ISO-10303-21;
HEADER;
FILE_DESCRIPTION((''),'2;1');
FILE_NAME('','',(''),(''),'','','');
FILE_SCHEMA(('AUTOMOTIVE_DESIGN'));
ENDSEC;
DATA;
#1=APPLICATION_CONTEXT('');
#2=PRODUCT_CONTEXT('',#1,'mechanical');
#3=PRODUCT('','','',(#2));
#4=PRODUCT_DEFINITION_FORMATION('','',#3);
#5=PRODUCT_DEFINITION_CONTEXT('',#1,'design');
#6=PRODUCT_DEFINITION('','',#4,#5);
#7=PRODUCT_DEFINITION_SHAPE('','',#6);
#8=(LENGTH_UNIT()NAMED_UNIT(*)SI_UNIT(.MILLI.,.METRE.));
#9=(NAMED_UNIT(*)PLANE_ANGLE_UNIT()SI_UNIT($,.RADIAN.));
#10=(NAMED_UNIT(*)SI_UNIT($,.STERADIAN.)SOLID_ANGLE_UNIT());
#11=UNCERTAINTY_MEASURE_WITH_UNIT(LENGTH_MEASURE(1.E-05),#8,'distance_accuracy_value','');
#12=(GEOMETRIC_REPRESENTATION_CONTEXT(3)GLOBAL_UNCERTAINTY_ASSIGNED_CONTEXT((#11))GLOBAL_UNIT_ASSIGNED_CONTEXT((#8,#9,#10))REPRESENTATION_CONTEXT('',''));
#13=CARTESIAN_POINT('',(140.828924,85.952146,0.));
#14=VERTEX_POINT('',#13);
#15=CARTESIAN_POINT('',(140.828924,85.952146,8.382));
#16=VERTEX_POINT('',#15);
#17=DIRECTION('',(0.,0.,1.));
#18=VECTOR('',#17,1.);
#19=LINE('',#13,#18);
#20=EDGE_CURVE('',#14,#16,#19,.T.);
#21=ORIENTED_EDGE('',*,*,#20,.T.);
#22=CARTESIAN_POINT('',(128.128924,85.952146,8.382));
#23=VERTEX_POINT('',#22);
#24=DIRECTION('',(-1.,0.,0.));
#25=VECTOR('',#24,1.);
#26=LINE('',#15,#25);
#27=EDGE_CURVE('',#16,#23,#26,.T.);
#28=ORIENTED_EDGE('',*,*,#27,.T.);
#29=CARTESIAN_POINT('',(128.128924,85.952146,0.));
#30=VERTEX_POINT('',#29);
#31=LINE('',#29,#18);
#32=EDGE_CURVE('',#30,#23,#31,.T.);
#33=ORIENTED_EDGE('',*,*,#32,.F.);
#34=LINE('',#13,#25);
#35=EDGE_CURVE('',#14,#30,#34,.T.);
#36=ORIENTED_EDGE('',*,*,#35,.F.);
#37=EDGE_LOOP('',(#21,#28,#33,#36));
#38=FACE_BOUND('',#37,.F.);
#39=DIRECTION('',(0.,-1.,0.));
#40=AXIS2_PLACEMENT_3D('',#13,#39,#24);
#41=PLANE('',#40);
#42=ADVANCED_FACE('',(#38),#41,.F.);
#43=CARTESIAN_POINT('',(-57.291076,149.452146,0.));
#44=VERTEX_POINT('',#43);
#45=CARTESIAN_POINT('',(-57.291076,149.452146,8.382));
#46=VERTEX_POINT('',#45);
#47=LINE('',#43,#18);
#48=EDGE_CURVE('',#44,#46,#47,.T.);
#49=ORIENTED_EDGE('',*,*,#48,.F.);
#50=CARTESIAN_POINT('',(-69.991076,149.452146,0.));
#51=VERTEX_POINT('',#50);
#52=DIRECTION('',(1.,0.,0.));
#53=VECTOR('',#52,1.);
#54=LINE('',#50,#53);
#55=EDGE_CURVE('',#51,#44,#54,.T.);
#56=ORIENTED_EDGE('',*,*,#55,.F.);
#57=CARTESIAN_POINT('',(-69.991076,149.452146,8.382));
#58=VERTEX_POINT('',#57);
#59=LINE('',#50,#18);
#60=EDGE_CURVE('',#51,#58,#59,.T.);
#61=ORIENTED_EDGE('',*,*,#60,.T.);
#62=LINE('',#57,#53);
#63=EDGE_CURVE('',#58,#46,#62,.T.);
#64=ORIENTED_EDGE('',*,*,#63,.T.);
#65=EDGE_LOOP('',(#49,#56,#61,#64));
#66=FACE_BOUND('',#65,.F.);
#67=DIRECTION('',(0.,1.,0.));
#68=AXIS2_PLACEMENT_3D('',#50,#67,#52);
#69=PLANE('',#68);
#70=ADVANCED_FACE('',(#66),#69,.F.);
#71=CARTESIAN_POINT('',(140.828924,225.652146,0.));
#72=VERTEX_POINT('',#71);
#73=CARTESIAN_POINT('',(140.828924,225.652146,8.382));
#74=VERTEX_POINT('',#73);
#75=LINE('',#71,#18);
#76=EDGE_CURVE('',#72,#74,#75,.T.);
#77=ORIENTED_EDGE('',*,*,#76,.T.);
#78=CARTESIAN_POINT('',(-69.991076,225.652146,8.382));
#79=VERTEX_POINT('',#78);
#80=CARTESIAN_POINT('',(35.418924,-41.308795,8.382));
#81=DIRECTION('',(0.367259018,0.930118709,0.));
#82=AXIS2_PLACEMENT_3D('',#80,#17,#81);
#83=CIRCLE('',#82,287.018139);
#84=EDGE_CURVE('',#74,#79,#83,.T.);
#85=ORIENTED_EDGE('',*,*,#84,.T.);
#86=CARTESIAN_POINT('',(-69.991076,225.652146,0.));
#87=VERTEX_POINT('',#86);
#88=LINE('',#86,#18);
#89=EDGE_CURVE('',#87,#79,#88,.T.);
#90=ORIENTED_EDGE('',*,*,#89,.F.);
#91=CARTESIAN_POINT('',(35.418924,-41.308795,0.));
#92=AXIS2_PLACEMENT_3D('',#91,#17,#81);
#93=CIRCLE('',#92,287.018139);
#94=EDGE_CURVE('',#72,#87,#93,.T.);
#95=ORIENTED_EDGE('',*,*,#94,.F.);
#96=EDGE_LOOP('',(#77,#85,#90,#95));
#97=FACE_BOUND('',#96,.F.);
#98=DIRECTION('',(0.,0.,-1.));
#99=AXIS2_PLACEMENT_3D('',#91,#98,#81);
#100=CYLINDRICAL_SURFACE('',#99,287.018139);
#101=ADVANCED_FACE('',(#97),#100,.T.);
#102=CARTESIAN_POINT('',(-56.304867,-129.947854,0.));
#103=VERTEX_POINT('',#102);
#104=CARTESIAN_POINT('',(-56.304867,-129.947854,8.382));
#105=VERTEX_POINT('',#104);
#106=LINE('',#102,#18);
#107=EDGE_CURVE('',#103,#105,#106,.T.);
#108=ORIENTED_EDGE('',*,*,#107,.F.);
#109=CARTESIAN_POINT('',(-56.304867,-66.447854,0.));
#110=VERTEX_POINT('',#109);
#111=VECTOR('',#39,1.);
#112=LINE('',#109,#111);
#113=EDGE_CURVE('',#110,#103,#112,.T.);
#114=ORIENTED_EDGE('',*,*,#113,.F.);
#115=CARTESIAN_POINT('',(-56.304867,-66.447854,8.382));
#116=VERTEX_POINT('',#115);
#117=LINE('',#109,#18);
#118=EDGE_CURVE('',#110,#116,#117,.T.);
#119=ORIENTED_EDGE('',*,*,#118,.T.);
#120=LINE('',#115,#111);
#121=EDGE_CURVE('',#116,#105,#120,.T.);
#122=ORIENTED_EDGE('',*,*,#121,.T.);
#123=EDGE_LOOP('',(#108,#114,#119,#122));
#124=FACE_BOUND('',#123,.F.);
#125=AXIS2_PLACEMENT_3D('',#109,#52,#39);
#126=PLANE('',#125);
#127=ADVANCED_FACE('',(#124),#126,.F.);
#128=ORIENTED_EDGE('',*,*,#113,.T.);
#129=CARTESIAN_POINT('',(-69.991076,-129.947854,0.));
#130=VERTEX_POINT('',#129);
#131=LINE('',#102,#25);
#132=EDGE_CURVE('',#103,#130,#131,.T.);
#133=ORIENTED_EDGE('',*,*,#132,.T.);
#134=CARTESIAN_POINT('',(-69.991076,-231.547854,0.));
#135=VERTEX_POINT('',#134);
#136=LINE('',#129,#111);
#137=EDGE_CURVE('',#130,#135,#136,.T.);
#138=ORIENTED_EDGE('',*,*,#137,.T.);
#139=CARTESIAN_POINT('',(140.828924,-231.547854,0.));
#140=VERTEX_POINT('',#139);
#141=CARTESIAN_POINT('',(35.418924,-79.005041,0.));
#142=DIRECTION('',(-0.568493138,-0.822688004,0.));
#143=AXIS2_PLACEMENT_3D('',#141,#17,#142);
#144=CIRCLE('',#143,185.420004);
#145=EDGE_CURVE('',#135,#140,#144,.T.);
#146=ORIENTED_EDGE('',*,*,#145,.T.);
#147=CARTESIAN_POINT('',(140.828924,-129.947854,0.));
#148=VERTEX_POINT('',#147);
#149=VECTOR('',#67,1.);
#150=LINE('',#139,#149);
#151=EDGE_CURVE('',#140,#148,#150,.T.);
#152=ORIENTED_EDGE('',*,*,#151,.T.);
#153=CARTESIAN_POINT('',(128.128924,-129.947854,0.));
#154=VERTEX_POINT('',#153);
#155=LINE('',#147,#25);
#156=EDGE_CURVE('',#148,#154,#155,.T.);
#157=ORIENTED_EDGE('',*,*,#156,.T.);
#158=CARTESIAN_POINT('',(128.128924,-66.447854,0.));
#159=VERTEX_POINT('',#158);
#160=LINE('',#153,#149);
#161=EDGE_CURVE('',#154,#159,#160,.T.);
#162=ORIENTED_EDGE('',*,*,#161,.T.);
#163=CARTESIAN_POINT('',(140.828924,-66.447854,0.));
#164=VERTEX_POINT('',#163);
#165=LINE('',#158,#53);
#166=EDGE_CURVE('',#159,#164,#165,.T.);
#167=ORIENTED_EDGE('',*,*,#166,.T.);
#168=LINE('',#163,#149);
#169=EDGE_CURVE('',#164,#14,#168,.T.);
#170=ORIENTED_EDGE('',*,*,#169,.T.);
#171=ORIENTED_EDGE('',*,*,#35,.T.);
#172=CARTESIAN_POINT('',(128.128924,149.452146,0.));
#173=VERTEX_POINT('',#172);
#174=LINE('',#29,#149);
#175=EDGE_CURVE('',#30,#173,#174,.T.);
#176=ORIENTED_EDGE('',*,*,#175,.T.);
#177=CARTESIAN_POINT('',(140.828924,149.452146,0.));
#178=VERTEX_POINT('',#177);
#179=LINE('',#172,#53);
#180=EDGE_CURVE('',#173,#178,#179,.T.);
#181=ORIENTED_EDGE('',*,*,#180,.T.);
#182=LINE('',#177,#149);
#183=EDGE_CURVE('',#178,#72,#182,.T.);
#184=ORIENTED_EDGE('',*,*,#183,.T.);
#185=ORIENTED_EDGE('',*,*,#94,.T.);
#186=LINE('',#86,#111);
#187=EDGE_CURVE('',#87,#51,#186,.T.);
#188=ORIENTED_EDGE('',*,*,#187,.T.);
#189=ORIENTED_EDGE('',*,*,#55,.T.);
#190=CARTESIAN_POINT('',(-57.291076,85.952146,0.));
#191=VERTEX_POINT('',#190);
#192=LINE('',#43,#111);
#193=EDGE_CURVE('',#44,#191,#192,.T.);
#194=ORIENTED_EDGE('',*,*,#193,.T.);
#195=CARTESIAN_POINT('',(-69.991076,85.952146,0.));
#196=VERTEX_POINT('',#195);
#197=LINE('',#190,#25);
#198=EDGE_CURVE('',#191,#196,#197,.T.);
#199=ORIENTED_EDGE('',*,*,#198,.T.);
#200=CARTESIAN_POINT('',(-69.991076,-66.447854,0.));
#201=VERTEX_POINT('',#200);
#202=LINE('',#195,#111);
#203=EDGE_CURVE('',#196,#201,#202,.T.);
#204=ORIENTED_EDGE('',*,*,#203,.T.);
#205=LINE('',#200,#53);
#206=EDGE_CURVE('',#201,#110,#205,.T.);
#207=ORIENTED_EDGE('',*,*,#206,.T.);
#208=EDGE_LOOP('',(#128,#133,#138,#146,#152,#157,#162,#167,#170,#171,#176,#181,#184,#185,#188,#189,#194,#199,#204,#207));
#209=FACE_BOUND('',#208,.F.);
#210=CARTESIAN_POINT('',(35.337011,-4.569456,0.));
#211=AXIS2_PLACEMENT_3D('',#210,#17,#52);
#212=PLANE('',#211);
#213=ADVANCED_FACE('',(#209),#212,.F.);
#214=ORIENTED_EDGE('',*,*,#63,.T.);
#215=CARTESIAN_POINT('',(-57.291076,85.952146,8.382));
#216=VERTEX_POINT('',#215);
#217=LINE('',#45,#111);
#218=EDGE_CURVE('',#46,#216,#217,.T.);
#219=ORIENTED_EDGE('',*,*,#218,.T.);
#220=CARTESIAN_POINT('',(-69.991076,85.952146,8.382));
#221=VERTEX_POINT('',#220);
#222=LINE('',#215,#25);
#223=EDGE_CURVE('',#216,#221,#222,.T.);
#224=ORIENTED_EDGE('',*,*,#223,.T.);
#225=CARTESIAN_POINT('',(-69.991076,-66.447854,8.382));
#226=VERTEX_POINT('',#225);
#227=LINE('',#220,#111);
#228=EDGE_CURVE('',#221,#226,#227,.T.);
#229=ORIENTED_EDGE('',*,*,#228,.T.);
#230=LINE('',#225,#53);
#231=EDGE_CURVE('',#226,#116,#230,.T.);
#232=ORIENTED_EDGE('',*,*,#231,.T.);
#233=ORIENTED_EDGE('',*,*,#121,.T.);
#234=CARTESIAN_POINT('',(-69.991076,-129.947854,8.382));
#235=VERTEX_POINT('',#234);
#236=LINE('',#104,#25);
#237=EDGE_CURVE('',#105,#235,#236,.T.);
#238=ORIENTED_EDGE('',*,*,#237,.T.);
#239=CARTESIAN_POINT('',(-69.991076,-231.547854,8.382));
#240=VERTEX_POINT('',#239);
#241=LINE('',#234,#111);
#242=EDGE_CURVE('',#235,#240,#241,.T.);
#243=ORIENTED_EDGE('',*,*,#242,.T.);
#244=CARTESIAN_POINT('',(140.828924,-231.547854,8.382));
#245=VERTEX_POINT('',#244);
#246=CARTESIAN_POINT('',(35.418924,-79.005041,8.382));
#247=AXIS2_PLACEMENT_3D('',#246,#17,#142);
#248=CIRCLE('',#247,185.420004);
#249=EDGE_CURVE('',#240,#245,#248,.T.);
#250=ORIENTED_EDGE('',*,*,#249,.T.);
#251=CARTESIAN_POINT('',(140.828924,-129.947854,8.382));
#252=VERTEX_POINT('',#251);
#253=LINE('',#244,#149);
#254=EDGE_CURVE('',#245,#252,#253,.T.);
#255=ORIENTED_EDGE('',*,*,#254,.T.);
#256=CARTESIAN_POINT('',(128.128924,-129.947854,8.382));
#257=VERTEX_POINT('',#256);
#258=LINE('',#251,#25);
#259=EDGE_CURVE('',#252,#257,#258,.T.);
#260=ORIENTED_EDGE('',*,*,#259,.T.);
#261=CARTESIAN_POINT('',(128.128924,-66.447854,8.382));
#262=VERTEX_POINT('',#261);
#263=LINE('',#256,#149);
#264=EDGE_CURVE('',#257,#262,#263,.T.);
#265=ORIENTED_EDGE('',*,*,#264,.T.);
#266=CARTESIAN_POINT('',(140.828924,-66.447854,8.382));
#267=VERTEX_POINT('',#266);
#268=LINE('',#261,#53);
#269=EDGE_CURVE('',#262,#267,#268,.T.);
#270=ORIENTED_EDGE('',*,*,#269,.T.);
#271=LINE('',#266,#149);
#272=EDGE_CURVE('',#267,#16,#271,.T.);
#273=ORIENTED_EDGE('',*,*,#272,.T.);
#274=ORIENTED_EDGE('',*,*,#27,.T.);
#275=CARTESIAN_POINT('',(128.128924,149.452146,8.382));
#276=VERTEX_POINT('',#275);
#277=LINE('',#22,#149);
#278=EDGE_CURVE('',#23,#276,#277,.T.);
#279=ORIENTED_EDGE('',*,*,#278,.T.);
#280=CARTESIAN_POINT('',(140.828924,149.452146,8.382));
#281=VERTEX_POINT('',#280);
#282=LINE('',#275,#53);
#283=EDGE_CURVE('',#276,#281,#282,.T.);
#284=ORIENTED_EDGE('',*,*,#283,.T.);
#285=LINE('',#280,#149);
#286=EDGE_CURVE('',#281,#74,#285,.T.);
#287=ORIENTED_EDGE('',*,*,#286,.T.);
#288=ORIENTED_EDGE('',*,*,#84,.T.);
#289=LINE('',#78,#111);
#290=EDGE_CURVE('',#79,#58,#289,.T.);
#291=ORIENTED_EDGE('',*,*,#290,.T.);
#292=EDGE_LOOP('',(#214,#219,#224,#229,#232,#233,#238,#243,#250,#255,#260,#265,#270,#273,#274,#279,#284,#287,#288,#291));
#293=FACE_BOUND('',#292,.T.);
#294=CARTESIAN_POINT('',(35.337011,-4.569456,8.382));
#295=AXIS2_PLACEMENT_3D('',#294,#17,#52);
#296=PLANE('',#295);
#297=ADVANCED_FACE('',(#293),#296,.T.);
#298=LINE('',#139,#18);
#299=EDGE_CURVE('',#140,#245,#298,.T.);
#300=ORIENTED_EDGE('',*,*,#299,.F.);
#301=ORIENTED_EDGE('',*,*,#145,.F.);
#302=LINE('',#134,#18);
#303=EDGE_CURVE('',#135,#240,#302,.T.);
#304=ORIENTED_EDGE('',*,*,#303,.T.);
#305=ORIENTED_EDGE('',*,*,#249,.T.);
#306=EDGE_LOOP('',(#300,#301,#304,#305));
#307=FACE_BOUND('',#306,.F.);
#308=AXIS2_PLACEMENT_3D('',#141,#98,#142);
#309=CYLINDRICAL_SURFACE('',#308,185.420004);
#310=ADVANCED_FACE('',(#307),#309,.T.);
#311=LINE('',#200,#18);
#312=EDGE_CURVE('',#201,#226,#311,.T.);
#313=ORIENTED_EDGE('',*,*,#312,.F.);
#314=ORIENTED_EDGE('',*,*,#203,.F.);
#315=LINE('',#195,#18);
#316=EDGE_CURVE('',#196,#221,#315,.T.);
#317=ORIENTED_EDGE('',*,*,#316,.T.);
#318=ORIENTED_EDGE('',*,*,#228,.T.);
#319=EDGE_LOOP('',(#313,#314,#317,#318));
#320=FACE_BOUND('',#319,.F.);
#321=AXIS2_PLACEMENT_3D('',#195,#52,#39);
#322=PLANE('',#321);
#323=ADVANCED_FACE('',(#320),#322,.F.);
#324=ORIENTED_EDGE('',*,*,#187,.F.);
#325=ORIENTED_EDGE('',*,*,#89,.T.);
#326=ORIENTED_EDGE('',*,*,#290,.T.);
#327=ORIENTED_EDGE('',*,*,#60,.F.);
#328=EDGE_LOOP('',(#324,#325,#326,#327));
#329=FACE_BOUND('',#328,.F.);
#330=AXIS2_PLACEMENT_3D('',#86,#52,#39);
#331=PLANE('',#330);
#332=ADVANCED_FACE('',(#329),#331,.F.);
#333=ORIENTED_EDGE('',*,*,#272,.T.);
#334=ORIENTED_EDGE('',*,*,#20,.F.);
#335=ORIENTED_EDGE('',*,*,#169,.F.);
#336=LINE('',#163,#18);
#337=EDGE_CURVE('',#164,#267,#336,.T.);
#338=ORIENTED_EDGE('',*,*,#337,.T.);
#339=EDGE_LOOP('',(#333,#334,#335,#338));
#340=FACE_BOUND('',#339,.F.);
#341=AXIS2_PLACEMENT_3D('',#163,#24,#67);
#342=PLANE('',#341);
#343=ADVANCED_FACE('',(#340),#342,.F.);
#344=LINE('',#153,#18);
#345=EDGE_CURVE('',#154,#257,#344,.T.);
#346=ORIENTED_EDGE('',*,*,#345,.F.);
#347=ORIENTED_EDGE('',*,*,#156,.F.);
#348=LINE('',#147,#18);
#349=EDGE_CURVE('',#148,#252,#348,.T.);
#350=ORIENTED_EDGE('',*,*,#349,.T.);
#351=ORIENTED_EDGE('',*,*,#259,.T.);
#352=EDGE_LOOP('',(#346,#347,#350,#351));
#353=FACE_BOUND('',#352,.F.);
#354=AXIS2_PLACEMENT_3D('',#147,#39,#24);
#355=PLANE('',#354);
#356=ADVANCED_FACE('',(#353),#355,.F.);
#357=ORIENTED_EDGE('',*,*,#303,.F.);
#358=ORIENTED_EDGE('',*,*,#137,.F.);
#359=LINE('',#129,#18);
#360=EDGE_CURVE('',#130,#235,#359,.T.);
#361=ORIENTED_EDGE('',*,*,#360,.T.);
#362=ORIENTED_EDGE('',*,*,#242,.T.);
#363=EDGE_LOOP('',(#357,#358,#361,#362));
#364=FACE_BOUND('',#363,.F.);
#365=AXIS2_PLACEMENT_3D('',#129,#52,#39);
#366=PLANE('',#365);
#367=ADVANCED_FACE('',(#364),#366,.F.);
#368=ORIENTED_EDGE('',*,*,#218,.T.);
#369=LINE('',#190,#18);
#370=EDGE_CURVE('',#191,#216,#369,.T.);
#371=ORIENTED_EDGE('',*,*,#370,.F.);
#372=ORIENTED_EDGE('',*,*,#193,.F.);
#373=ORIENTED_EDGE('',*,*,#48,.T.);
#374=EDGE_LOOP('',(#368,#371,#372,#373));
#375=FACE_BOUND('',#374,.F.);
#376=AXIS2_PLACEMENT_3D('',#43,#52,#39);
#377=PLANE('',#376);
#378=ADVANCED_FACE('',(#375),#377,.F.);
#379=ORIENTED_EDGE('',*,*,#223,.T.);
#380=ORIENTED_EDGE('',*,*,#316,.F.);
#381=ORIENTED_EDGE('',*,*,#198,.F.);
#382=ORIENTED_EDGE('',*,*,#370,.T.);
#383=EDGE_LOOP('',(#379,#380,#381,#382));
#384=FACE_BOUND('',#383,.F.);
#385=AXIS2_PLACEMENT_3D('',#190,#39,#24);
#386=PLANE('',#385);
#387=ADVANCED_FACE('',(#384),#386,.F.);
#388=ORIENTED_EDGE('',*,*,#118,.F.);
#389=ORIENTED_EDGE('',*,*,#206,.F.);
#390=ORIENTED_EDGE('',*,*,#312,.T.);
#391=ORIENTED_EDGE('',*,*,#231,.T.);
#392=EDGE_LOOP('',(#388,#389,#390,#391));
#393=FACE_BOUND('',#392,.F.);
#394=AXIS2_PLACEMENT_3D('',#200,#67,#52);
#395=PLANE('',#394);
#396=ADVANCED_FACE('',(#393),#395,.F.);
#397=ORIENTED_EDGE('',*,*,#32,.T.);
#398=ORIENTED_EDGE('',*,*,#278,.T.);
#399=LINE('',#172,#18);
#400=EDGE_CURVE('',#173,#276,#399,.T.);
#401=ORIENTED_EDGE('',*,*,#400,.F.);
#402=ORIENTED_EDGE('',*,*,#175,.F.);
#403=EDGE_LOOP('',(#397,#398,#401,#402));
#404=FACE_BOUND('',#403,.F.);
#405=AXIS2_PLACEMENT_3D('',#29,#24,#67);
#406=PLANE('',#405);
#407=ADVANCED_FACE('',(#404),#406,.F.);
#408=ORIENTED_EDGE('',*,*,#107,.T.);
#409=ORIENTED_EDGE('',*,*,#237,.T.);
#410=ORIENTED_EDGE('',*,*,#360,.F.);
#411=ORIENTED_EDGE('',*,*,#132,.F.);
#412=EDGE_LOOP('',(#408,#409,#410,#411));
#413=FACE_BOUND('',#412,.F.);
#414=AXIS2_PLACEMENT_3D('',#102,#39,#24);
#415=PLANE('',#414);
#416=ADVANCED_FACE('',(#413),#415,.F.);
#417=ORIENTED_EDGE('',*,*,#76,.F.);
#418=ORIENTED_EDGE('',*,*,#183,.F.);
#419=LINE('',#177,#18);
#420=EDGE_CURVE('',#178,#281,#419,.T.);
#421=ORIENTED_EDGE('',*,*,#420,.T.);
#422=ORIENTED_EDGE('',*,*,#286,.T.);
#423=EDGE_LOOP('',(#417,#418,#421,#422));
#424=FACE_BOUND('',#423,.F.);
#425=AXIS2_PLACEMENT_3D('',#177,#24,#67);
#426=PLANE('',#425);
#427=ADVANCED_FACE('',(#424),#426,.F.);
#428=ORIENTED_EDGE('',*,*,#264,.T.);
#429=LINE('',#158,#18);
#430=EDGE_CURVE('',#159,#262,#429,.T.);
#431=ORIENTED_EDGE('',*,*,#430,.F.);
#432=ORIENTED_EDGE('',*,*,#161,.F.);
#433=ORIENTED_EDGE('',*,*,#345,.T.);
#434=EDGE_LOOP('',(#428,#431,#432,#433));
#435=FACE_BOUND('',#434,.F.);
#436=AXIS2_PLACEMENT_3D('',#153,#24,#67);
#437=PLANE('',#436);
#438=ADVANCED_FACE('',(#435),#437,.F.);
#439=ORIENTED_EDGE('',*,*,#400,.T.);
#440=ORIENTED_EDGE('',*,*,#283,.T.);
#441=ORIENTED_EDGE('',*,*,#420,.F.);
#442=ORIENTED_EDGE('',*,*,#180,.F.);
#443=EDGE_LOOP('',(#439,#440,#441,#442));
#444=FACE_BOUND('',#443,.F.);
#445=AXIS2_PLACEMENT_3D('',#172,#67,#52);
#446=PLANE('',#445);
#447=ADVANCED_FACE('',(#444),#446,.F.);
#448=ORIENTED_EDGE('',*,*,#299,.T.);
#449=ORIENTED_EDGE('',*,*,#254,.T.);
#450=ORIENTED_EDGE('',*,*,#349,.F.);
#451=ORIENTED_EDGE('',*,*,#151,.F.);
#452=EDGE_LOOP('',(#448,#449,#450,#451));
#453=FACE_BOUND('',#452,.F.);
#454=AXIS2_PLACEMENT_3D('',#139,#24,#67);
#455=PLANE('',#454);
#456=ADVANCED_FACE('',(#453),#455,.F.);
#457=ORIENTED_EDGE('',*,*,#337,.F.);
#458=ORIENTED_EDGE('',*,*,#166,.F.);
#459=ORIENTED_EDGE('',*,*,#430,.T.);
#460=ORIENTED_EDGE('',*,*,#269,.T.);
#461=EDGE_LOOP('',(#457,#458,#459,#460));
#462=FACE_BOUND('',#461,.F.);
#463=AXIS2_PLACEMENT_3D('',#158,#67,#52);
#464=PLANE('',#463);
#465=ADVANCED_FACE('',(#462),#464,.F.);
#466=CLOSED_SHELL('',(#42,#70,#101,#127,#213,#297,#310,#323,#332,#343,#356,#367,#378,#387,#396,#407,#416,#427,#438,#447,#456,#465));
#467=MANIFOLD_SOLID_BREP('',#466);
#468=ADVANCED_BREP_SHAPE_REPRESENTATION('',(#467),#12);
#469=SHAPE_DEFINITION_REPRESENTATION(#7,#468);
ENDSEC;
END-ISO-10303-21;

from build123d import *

# Parameters (mm, degrees)
F1_DEPTH = 8.382


with BuildPart() as f1:
    # F0 (on Top) → F1 (new body)
    with BuildSketch(Plane.XY):
        with BuildLine():
            ThreePointArc((140.828924, 225.652146), (35.418924, 245.709344), (-69.991076, 225.652146))
            Line((-69.991076, 225.652146), (-69.991076, 149.452146))
            Line((-69.991076, 149.452146), (-57.291076, 149.452146))
            Line((-57.291076, 149.452146), (-57.291076, 85.952146))
            Line((-57.291076, 85.952146), (-69.991076, 85.952146))
            Line((-69.991076, 85.952146), (-69.991076, -66.447854))
            Line((-69.991076, -66.447854), (-56.304867, -66.447854))
            Line((-56.304867, -66.447854), (-56.304867, -129.947854))
            Line((-56.304867, -129.947854), (-69.991076, -129.947854))
            Line((-69.991076, -129.947854), (-69.991076, -231.547854))
            ThreePointArc((-69.991076, -231.547854), (35.418924, -264.425045), (140.828924, -231.547854))
            Line((140.828924, -231.547854), (140.828924, -129.947854))
            Line((140.828924, -129.947854), (128.128924, -129.947854))
            Line((128.128924, -129.947854), (128.128924, -66.447854))
            Line((128.128924, -66.447854), (140.828924, -66.447854))
            Line((140.828924, -66.447854), (140.828924, 85.952146))
            Line((140.828924, 85.952146), (128.128924, 85.952146))
            Line((128.128924, 85.952146), (128.128924, 149.452146))
            Line((128.128924, 149.452146), (140.828924, 149.452146))
            Line((140.828924, 149.452146), (140.828924, 225.652146))
        make_face()
    extrude(amount=F1_DEPTH)


solid = f1.part
